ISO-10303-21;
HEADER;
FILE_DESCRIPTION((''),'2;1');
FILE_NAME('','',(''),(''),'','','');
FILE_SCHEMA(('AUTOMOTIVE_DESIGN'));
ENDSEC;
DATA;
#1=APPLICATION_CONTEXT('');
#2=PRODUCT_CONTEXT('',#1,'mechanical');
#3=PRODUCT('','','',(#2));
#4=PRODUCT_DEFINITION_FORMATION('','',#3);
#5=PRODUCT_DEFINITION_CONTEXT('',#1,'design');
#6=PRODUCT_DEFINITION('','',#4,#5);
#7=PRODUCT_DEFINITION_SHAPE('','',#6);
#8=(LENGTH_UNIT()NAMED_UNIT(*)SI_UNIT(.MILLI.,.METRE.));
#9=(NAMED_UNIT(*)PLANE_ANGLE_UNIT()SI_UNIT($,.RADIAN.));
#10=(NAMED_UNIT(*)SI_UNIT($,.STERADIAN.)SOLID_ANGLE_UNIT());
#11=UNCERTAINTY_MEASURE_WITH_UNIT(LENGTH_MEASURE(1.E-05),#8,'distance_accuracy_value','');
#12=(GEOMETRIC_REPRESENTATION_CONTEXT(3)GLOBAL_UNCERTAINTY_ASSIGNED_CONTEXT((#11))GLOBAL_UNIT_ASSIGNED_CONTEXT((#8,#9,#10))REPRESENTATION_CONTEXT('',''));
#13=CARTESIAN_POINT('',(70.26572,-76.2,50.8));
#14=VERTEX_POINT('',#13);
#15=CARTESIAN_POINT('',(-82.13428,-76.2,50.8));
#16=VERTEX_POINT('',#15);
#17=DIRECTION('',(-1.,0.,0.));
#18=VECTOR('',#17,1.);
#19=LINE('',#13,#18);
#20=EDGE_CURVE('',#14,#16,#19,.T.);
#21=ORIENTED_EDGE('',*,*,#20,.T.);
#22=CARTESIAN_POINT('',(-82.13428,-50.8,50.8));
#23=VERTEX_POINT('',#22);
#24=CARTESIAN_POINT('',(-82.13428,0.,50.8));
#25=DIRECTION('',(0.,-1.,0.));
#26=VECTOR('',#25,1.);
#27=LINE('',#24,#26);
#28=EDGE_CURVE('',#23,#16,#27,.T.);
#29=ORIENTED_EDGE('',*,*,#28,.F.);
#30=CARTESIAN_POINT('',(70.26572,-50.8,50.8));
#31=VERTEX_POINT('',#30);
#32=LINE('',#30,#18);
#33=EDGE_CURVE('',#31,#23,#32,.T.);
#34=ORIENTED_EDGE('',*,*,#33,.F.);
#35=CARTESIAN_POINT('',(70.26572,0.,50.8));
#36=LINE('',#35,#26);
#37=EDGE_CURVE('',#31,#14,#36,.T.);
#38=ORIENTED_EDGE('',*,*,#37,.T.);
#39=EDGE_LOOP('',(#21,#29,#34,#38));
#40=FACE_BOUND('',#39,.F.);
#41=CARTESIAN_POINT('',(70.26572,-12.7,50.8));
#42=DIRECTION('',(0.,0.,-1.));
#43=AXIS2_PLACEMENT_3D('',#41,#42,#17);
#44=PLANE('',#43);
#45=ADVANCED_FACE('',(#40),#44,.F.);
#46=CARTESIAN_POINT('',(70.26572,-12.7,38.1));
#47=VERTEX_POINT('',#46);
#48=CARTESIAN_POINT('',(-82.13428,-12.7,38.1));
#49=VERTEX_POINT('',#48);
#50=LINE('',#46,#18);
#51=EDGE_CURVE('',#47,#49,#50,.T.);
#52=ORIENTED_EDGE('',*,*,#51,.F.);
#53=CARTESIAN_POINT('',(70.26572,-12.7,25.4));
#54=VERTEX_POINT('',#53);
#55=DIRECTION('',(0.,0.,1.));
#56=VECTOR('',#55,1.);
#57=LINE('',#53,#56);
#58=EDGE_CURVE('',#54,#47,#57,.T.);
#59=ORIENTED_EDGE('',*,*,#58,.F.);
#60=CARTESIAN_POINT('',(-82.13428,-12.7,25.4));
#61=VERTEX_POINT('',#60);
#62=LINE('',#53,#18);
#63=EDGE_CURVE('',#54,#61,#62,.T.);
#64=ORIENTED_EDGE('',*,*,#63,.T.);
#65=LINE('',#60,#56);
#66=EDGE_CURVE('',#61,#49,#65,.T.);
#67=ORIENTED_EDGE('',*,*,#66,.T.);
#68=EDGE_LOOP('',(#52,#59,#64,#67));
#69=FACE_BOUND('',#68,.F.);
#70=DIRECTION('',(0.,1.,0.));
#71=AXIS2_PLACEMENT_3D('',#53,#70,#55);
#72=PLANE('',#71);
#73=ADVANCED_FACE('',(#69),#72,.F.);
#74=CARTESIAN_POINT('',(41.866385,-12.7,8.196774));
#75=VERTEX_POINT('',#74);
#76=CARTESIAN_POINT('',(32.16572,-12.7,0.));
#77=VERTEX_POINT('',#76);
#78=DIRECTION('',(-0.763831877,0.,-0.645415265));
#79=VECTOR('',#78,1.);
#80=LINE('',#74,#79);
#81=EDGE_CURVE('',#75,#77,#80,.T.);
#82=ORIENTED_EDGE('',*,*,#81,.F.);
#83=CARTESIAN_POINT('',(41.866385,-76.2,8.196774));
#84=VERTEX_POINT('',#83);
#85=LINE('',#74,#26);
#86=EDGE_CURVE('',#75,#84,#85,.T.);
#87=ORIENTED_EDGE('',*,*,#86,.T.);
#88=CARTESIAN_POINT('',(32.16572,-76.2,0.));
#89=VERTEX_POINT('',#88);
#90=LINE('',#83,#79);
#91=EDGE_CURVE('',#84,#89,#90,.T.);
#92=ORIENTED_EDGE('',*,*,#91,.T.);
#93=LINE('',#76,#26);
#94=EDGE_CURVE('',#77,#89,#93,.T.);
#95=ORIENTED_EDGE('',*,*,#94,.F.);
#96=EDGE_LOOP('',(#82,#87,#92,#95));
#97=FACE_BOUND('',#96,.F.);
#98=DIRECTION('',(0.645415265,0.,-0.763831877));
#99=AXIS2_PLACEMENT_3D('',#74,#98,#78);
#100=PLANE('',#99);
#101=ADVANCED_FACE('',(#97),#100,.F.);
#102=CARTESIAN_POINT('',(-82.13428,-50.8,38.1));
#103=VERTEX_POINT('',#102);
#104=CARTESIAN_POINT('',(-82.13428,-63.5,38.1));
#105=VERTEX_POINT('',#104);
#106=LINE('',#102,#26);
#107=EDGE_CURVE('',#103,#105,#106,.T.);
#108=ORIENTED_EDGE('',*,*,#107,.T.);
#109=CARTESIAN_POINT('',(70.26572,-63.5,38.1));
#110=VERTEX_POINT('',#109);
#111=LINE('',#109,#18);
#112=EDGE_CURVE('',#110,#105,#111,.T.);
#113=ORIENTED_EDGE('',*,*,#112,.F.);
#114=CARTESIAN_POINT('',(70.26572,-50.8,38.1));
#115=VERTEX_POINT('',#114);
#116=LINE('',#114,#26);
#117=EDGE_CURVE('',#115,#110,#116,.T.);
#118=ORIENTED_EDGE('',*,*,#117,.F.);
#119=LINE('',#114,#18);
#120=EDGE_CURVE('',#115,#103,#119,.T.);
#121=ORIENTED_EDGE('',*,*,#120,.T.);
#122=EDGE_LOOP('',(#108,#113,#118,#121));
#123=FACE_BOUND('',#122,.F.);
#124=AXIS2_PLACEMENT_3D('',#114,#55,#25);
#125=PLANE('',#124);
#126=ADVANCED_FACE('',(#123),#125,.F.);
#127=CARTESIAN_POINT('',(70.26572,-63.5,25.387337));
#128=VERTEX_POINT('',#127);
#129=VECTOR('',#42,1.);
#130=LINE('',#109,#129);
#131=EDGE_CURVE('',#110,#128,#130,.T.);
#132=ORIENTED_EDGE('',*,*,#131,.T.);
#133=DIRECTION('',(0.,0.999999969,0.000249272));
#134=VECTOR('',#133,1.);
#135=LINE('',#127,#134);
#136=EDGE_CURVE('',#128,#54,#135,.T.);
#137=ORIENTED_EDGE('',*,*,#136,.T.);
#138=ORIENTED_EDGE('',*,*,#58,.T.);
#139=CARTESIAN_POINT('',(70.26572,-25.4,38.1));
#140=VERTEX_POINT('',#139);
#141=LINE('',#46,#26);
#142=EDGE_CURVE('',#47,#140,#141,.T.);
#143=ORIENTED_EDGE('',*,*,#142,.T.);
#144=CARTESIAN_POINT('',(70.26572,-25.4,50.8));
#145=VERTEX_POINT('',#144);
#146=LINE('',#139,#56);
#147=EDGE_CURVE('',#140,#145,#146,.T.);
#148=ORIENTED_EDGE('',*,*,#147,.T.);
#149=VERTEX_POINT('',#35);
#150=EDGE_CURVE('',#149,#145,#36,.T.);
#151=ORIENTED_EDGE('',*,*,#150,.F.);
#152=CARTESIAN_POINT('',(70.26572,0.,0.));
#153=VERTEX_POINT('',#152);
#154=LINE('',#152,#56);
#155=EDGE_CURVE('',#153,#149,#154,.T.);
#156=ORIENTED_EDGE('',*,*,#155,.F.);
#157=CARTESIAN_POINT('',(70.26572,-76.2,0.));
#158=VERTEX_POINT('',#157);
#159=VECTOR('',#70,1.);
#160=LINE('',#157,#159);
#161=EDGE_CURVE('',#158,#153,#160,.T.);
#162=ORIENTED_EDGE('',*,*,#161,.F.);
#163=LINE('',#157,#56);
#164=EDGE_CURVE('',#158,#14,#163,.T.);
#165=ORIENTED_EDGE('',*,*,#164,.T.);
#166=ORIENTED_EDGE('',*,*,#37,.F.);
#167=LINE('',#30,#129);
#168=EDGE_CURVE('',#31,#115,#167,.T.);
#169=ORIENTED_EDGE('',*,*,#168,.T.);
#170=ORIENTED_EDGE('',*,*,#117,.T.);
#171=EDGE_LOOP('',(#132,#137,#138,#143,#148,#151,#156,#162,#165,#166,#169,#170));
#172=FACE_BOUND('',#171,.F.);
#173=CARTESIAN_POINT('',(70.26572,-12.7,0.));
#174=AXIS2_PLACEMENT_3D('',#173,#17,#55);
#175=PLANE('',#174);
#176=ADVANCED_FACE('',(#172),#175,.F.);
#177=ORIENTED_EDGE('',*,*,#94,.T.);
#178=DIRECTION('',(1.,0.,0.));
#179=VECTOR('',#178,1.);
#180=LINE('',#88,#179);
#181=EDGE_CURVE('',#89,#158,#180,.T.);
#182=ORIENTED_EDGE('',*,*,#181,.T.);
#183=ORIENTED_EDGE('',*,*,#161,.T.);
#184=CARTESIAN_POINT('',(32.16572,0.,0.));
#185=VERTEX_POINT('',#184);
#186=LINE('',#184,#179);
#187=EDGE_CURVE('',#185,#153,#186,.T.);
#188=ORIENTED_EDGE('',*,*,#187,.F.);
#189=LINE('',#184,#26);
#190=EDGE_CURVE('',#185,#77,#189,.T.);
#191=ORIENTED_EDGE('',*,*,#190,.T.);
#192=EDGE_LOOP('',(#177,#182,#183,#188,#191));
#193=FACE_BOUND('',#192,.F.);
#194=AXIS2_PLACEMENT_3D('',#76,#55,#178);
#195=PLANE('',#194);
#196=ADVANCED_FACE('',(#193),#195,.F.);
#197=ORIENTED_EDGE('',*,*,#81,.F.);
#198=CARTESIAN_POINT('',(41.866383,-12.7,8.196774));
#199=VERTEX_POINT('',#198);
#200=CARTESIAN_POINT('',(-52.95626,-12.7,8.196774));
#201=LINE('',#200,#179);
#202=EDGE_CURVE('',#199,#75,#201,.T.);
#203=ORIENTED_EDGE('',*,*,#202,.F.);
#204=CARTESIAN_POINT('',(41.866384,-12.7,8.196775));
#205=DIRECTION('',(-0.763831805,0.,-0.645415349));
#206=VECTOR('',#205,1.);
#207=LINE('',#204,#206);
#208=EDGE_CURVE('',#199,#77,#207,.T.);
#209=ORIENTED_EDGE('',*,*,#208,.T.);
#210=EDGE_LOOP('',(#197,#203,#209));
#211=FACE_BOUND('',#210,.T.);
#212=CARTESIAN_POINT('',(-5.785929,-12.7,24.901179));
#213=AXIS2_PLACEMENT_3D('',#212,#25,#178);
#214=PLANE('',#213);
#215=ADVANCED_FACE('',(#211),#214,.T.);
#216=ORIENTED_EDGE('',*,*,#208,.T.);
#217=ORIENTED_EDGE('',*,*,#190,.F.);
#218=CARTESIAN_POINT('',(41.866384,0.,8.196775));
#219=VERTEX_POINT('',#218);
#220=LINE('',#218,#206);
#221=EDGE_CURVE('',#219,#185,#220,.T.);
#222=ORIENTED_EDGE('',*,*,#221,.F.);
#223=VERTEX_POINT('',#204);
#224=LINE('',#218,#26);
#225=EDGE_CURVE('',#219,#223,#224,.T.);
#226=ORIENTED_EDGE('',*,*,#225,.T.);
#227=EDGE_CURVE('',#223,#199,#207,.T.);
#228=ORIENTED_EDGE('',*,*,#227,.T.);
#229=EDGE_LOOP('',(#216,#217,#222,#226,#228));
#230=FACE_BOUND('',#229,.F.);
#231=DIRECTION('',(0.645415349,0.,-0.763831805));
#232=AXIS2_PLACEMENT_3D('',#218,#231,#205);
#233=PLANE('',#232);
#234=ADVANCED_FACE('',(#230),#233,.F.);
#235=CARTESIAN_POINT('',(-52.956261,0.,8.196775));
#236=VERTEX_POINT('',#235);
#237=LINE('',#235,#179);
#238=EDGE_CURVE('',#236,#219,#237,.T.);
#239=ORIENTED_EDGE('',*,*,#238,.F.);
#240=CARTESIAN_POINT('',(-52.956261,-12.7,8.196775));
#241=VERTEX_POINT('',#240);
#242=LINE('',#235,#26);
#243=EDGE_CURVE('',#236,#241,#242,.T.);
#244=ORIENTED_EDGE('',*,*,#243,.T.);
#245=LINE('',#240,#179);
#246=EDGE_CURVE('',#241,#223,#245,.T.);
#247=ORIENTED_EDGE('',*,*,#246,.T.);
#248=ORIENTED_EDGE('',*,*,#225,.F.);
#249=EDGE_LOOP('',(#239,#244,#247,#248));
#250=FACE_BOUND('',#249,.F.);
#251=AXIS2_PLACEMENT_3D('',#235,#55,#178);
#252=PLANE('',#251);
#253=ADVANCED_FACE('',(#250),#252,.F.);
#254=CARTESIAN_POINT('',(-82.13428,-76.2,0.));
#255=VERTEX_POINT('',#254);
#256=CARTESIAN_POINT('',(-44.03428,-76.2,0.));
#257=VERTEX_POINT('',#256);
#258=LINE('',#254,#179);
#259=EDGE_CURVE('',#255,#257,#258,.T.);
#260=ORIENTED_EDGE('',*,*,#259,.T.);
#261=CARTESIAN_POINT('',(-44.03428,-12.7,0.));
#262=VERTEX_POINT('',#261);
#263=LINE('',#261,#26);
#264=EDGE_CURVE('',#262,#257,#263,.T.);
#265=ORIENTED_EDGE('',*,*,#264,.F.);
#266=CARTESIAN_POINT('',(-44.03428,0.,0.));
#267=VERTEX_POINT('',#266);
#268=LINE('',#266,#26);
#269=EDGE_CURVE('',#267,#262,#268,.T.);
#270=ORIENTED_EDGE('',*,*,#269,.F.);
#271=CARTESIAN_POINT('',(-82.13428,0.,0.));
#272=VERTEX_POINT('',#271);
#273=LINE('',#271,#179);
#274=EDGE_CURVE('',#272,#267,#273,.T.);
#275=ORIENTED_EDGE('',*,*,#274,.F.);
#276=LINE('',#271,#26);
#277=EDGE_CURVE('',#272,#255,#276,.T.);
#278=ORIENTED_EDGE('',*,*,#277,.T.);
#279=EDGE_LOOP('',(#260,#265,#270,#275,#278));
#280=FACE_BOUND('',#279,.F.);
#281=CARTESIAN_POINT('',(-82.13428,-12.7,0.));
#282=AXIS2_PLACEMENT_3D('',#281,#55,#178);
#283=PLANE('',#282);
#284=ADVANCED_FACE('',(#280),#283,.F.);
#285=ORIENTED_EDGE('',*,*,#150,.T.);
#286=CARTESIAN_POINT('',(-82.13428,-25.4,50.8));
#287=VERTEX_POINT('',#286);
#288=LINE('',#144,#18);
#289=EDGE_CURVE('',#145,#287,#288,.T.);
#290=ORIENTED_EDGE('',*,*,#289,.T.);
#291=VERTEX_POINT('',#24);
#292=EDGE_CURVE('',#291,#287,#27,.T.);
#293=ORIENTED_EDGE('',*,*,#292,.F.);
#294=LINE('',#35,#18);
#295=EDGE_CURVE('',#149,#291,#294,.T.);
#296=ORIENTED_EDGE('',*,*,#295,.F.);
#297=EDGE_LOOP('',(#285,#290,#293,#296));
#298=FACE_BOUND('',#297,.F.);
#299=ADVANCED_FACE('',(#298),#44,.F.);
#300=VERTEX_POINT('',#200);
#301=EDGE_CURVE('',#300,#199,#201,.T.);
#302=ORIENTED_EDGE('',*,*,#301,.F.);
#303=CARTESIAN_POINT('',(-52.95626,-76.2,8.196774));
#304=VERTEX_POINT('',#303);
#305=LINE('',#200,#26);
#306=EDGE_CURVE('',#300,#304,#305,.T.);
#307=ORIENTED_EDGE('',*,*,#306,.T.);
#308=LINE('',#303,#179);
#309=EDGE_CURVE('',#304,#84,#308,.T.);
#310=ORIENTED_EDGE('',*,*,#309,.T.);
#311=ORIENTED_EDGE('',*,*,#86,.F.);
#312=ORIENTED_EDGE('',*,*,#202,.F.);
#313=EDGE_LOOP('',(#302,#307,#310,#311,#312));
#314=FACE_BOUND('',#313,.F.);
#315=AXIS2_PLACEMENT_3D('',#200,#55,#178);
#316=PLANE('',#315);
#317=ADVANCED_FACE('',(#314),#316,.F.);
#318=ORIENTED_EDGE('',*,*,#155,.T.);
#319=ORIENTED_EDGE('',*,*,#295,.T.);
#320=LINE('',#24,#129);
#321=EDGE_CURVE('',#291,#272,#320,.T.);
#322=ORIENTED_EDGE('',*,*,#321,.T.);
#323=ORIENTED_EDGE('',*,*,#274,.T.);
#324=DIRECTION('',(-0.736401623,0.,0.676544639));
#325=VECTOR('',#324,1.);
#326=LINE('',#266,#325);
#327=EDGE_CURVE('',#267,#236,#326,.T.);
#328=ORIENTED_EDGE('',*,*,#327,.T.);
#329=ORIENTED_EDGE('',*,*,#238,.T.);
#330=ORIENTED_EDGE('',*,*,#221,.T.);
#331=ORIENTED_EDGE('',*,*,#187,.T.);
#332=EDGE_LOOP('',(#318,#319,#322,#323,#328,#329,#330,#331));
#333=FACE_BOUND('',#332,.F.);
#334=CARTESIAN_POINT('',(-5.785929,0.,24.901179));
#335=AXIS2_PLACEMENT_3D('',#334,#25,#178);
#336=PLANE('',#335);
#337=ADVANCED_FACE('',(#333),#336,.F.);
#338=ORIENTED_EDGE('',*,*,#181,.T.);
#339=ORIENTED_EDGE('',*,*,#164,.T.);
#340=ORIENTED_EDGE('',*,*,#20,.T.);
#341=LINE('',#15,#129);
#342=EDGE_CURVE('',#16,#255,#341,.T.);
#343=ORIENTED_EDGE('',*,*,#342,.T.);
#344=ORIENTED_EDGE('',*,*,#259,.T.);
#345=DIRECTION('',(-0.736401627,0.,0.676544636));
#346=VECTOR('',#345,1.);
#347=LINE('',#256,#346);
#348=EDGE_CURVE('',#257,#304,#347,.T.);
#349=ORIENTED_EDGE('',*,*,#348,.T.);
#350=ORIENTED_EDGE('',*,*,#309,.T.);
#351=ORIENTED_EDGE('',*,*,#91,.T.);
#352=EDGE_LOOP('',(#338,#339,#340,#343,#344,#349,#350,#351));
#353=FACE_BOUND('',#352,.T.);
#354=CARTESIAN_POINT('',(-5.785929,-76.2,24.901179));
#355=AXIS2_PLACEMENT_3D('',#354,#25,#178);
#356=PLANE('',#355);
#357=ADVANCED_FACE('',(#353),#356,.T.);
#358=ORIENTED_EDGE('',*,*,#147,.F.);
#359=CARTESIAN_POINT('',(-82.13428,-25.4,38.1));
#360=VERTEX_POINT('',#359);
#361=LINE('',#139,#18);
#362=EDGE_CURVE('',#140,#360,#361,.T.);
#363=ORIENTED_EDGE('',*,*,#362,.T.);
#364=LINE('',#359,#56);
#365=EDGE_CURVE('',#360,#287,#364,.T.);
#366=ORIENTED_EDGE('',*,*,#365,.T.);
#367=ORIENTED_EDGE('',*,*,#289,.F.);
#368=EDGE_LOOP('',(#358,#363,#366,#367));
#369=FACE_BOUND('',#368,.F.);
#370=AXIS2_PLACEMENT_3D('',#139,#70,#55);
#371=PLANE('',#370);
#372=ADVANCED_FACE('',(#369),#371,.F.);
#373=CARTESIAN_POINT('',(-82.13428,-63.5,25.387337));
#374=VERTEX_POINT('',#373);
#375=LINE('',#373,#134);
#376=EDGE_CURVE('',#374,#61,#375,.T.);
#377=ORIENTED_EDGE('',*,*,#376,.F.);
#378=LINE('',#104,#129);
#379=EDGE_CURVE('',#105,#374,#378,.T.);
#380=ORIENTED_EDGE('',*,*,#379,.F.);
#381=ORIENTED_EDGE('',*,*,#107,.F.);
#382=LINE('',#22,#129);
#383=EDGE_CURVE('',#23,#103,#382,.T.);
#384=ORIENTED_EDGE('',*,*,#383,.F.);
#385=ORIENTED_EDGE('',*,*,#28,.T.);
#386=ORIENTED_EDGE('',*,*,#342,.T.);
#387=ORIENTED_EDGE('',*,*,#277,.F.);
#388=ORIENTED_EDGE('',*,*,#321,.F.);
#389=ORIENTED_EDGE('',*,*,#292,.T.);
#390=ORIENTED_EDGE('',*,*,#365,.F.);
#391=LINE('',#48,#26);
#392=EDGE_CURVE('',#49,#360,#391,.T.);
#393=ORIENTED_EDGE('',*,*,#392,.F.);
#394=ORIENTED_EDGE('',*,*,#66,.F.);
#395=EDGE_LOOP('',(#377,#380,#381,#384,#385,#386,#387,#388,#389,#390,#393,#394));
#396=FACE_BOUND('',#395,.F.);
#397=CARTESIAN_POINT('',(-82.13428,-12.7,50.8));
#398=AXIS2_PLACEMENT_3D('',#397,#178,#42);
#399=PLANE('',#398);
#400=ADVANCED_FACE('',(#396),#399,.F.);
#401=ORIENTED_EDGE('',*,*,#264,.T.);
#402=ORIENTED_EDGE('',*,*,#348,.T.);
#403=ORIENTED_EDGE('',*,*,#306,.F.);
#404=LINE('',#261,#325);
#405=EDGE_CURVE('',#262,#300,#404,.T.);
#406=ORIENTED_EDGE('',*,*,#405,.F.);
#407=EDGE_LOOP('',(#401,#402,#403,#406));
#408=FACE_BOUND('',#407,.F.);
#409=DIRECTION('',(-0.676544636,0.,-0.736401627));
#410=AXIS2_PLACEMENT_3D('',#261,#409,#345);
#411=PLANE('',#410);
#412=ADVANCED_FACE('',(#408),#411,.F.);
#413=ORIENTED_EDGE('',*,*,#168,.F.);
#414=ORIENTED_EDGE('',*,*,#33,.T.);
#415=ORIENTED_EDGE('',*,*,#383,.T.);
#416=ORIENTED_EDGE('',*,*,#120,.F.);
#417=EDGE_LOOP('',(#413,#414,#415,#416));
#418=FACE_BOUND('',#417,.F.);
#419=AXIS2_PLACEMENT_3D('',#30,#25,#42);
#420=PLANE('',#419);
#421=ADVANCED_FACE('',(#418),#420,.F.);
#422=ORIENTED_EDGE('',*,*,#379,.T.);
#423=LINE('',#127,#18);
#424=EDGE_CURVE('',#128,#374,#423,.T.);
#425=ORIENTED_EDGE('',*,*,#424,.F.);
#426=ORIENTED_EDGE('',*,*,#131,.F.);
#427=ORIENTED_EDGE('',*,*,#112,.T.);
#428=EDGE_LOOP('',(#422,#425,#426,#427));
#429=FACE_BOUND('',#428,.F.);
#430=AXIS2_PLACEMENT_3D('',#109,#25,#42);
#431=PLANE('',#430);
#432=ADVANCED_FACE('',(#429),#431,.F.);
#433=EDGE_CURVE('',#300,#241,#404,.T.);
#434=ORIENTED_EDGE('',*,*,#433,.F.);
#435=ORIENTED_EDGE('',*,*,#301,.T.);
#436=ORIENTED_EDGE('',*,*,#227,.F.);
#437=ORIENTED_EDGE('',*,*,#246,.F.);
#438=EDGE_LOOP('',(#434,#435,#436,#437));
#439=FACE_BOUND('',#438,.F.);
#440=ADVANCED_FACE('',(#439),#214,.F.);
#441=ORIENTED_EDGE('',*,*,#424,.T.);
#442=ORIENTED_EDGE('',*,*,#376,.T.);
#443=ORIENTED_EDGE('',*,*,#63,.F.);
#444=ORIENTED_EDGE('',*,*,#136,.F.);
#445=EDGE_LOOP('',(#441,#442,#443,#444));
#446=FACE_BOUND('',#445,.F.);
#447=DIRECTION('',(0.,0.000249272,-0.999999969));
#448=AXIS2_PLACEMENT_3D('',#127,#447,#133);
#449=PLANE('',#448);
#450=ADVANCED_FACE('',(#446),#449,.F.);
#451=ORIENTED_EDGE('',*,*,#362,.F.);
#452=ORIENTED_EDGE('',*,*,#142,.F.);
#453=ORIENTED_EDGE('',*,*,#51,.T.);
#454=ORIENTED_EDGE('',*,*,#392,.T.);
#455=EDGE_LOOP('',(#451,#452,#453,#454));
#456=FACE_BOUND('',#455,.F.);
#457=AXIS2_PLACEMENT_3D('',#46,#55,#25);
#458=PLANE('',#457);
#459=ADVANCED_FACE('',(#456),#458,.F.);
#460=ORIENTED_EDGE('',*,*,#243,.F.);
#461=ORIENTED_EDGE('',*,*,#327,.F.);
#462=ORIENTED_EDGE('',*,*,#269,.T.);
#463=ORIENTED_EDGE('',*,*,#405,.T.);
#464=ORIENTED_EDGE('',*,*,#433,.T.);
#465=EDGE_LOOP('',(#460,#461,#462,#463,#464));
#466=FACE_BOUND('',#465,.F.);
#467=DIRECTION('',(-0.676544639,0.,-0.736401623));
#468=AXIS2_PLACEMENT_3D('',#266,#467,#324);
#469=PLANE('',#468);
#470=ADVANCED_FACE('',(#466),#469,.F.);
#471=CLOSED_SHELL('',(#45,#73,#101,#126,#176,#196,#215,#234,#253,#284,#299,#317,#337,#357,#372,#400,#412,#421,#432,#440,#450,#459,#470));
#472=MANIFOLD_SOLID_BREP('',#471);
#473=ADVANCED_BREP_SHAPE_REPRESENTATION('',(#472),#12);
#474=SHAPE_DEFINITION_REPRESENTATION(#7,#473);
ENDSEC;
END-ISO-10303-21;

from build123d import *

# Parameters (mm, degrees)
F1_DEPTH = 12.7
F2_DEPTH = 63.5
F4_DEPTH = 152.4


with BuildPart() as f1:
    # F0 (on Front) → F1 (new body)
    with BuildSketch(Plane.XZ):
        Polygon((70.26572, 50.8), (-82.13428, 50.8), (-82.13428, 12.7), (-82.13428, 0), (-44.03428, 0), (-52.956261, 8.196775), (41.866384, 8.196775), (32.16572, 0), (70.26572, 0), (70.26572, 12.7), align=None)
    extrude(amount=F1_DEPTH)

    # F1_face (on face) → F2 (join)
    with BuildSketch(Plane(origin=(-5.954362, -12.7, 27.505722), x_dir=(1, 0, 0), z_dir=(0, -1, 0))):
        Polygon((76.220082, -27.505722), (76.220082, 23.294278), (-76.179918, 23.294278), (-76.179918, -27.505722), (-38.079918, -27.505722), (-47.001898, -19.308948), (47.820747, -19.308948), (38.120082, -27.505722), align=None)
    extrude(amount=F2_DEPTH)

    # F3 (on face) → F4 (cut, through all)
    with BuildSketch(Plane.YZ.offset(70.26572)):
        Polygon((-25.4, 50.8), (-50.8, 50.8), (-50.8, 38.1), (-63.5, 38.1), (-63.5, 25.387337), (-12.7, 25.4), (-12.7, 38.1), (-25.4, 38.1), align=None)
    extrude(amount=-F4_DEPTH, mode=Mode.SUBTRACT)


solid = f1.part
